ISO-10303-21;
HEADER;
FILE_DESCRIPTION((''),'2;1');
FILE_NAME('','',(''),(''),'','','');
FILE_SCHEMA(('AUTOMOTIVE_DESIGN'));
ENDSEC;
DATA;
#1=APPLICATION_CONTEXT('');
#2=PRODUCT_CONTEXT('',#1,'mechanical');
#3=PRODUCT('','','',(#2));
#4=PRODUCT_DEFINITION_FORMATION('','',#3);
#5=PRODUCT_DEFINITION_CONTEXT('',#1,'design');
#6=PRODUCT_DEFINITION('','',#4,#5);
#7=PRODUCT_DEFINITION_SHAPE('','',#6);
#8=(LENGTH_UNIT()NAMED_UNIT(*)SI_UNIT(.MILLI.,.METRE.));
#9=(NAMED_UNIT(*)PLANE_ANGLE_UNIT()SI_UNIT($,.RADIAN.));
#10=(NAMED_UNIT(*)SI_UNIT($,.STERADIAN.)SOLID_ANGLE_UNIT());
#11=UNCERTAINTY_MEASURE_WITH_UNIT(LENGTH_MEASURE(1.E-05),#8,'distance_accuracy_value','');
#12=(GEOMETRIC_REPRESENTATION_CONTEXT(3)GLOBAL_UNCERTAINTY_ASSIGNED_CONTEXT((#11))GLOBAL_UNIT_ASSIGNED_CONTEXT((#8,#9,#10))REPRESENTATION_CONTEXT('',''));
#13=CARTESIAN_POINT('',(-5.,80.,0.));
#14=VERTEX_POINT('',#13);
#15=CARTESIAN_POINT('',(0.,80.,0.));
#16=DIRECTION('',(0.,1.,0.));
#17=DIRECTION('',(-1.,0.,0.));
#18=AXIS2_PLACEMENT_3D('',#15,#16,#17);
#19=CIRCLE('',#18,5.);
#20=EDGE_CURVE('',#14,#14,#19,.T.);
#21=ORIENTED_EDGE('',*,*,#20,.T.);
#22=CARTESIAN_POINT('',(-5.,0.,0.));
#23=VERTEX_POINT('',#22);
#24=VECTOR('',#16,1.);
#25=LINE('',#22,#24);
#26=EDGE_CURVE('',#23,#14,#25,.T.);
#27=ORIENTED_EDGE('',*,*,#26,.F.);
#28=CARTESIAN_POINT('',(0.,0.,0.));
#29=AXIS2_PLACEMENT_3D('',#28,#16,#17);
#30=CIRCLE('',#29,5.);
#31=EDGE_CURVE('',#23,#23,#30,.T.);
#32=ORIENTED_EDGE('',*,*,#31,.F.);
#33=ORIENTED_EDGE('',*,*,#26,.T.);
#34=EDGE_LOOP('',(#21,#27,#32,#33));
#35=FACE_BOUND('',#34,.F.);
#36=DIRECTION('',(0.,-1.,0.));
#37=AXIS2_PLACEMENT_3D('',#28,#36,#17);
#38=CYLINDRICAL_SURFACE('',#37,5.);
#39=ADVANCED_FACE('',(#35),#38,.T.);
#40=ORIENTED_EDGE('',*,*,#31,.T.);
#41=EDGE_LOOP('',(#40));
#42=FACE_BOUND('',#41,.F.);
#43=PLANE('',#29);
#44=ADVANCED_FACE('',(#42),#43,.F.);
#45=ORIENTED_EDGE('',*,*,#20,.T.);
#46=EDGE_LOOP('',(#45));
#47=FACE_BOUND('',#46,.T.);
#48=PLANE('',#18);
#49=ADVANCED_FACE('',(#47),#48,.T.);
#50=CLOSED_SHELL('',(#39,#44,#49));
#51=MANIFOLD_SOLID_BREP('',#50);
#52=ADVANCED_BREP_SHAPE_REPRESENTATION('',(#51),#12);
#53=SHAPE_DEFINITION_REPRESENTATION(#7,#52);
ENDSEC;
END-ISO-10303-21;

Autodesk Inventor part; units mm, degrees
ref_plane "YZ Plane" through (0, 0, 0) normal (1, 0, 0) x (0, 1, 0)
ref_plane "XZ Plane" through (0, 0, 0) normal (0, 1, 0) x (-1, 0, 0)
ref_plane "XY Plane" through (0, 0, 0) normal (0, 0, 1) x (1, 0, 0)
sketch "Sketch1" plane through (0, 0, 0) normal (0, 1, 0) x (-1, 0, 0)
  circle A0 centre (0, 0) radius 5
  dimension "d0" = 10
extrude "Extrusion1" add sketch "Sketch1" along normal blind 80
properties part number "shaft3"
